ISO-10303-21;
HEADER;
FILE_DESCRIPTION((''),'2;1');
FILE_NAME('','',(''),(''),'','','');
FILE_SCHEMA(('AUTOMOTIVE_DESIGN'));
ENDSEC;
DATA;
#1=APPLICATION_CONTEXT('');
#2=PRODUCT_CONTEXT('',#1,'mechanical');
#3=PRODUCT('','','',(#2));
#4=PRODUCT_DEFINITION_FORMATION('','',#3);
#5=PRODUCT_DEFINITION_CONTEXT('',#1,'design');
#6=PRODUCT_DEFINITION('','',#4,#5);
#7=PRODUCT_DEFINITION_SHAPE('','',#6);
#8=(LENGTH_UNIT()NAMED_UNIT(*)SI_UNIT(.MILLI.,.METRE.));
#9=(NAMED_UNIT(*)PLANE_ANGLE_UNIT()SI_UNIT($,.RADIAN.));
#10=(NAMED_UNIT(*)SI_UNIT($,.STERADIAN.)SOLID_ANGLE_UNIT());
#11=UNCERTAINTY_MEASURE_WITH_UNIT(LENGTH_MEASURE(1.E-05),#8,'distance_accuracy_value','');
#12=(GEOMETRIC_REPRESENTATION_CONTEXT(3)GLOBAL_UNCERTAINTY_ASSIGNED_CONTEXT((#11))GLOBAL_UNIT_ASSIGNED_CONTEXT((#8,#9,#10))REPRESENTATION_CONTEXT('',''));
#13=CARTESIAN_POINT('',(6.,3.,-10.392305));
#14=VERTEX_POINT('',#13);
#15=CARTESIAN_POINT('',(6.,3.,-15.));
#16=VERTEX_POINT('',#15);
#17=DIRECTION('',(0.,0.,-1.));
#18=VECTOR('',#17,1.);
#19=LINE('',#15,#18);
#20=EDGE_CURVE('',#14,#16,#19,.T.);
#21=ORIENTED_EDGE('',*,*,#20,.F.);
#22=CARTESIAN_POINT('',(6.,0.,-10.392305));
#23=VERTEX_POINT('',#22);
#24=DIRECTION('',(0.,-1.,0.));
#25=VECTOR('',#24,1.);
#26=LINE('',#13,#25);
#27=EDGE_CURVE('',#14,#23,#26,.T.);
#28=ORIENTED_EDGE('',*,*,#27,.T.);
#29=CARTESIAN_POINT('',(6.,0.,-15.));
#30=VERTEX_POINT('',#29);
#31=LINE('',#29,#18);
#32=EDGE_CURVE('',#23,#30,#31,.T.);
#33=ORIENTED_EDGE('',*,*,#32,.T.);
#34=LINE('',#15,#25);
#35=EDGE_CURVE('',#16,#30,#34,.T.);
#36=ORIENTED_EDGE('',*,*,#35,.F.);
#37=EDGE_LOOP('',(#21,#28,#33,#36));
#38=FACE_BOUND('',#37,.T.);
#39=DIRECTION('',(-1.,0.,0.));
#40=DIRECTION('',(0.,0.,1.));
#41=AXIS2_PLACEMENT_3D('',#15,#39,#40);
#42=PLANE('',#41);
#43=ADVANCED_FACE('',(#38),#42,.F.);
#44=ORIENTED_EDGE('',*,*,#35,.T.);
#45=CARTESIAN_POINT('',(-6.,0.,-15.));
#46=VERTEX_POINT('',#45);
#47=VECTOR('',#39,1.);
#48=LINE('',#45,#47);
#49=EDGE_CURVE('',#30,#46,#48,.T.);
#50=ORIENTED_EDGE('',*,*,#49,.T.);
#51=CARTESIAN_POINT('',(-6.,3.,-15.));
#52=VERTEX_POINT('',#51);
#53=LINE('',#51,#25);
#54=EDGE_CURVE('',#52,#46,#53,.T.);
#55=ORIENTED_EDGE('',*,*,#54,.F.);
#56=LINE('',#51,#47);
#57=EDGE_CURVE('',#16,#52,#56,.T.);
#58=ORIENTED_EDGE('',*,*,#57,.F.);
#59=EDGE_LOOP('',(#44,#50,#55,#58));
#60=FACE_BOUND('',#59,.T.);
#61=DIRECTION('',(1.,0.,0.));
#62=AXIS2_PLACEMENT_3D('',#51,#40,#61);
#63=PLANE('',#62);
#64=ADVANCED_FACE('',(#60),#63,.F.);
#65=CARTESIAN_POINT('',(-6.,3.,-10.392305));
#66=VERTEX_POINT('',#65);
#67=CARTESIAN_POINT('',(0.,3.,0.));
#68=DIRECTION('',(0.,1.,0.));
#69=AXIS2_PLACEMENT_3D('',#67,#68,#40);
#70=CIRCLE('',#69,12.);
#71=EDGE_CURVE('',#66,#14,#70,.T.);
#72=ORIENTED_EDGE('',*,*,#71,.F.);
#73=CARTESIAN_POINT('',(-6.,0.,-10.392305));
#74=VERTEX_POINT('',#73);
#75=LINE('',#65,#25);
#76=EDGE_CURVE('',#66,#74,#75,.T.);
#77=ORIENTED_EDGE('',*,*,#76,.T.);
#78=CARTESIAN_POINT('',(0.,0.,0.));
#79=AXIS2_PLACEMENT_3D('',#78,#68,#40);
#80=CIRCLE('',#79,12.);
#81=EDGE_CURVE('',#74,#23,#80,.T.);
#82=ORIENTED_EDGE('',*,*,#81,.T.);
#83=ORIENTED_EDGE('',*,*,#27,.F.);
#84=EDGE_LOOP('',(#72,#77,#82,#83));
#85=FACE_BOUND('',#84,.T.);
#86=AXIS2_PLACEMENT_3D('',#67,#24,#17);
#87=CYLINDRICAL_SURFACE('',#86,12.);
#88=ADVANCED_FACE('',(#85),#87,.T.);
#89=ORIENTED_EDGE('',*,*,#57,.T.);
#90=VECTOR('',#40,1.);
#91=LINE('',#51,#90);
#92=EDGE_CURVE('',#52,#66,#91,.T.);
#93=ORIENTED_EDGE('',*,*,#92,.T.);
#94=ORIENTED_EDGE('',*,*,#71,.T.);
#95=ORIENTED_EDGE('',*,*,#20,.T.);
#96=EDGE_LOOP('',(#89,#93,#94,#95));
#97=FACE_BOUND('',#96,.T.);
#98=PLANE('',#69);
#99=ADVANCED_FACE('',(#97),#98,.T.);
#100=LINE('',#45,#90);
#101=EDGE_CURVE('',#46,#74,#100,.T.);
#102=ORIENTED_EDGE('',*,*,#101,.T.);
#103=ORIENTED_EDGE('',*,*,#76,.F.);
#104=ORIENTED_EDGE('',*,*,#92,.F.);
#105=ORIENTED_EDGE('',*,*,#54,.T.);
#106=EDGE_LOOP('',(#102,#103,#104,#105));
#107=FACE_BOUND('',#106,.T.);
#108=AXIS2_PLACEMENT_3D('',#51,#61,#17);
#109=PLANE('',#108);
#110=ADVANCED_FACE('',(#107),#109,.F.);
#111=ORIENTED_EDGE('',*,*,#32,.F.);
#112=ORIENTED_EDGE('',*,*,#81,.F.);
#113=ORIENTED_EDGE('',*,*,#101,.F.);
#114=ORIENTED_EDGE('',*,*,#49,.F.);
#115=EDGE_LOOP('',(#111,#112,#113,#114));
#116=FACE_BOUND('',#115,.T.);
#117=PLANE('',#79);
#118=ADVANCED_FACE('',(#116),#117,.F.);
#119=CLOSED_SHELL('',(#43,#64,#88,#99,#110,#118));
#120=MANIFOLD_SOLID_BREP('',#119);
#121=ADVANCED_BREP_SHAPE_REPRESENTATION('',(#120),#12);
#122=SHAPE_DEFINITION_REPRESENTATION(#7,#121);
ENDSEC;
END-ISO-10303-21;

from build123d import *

# Parameters (mm, degrees)
SALIENTE_EXTRUIR1_DEPTH = 3


with BuildPart() as part:
    # Croquis1 → Saliente-Extruir1 (new body)
    with BuildSketch(Plane(origin=(0, 0, 0), x_dir=(1, 0, 0), z_dir=(0, 1, 0))):
        with BuildLine():
            Line((-6, 15), (6, 15))
            Line((6, 15), (6, 10.392304845))
            ThreePointArc((6, 10.392304845), (0, -12), (-6, 10.392304845))
            Line((-6, 10.392304845), (-6, 15))
        make_face()
    extrude(amount=SALIENTE_EXTRUIR1_DEPTH)


solid = part.part
